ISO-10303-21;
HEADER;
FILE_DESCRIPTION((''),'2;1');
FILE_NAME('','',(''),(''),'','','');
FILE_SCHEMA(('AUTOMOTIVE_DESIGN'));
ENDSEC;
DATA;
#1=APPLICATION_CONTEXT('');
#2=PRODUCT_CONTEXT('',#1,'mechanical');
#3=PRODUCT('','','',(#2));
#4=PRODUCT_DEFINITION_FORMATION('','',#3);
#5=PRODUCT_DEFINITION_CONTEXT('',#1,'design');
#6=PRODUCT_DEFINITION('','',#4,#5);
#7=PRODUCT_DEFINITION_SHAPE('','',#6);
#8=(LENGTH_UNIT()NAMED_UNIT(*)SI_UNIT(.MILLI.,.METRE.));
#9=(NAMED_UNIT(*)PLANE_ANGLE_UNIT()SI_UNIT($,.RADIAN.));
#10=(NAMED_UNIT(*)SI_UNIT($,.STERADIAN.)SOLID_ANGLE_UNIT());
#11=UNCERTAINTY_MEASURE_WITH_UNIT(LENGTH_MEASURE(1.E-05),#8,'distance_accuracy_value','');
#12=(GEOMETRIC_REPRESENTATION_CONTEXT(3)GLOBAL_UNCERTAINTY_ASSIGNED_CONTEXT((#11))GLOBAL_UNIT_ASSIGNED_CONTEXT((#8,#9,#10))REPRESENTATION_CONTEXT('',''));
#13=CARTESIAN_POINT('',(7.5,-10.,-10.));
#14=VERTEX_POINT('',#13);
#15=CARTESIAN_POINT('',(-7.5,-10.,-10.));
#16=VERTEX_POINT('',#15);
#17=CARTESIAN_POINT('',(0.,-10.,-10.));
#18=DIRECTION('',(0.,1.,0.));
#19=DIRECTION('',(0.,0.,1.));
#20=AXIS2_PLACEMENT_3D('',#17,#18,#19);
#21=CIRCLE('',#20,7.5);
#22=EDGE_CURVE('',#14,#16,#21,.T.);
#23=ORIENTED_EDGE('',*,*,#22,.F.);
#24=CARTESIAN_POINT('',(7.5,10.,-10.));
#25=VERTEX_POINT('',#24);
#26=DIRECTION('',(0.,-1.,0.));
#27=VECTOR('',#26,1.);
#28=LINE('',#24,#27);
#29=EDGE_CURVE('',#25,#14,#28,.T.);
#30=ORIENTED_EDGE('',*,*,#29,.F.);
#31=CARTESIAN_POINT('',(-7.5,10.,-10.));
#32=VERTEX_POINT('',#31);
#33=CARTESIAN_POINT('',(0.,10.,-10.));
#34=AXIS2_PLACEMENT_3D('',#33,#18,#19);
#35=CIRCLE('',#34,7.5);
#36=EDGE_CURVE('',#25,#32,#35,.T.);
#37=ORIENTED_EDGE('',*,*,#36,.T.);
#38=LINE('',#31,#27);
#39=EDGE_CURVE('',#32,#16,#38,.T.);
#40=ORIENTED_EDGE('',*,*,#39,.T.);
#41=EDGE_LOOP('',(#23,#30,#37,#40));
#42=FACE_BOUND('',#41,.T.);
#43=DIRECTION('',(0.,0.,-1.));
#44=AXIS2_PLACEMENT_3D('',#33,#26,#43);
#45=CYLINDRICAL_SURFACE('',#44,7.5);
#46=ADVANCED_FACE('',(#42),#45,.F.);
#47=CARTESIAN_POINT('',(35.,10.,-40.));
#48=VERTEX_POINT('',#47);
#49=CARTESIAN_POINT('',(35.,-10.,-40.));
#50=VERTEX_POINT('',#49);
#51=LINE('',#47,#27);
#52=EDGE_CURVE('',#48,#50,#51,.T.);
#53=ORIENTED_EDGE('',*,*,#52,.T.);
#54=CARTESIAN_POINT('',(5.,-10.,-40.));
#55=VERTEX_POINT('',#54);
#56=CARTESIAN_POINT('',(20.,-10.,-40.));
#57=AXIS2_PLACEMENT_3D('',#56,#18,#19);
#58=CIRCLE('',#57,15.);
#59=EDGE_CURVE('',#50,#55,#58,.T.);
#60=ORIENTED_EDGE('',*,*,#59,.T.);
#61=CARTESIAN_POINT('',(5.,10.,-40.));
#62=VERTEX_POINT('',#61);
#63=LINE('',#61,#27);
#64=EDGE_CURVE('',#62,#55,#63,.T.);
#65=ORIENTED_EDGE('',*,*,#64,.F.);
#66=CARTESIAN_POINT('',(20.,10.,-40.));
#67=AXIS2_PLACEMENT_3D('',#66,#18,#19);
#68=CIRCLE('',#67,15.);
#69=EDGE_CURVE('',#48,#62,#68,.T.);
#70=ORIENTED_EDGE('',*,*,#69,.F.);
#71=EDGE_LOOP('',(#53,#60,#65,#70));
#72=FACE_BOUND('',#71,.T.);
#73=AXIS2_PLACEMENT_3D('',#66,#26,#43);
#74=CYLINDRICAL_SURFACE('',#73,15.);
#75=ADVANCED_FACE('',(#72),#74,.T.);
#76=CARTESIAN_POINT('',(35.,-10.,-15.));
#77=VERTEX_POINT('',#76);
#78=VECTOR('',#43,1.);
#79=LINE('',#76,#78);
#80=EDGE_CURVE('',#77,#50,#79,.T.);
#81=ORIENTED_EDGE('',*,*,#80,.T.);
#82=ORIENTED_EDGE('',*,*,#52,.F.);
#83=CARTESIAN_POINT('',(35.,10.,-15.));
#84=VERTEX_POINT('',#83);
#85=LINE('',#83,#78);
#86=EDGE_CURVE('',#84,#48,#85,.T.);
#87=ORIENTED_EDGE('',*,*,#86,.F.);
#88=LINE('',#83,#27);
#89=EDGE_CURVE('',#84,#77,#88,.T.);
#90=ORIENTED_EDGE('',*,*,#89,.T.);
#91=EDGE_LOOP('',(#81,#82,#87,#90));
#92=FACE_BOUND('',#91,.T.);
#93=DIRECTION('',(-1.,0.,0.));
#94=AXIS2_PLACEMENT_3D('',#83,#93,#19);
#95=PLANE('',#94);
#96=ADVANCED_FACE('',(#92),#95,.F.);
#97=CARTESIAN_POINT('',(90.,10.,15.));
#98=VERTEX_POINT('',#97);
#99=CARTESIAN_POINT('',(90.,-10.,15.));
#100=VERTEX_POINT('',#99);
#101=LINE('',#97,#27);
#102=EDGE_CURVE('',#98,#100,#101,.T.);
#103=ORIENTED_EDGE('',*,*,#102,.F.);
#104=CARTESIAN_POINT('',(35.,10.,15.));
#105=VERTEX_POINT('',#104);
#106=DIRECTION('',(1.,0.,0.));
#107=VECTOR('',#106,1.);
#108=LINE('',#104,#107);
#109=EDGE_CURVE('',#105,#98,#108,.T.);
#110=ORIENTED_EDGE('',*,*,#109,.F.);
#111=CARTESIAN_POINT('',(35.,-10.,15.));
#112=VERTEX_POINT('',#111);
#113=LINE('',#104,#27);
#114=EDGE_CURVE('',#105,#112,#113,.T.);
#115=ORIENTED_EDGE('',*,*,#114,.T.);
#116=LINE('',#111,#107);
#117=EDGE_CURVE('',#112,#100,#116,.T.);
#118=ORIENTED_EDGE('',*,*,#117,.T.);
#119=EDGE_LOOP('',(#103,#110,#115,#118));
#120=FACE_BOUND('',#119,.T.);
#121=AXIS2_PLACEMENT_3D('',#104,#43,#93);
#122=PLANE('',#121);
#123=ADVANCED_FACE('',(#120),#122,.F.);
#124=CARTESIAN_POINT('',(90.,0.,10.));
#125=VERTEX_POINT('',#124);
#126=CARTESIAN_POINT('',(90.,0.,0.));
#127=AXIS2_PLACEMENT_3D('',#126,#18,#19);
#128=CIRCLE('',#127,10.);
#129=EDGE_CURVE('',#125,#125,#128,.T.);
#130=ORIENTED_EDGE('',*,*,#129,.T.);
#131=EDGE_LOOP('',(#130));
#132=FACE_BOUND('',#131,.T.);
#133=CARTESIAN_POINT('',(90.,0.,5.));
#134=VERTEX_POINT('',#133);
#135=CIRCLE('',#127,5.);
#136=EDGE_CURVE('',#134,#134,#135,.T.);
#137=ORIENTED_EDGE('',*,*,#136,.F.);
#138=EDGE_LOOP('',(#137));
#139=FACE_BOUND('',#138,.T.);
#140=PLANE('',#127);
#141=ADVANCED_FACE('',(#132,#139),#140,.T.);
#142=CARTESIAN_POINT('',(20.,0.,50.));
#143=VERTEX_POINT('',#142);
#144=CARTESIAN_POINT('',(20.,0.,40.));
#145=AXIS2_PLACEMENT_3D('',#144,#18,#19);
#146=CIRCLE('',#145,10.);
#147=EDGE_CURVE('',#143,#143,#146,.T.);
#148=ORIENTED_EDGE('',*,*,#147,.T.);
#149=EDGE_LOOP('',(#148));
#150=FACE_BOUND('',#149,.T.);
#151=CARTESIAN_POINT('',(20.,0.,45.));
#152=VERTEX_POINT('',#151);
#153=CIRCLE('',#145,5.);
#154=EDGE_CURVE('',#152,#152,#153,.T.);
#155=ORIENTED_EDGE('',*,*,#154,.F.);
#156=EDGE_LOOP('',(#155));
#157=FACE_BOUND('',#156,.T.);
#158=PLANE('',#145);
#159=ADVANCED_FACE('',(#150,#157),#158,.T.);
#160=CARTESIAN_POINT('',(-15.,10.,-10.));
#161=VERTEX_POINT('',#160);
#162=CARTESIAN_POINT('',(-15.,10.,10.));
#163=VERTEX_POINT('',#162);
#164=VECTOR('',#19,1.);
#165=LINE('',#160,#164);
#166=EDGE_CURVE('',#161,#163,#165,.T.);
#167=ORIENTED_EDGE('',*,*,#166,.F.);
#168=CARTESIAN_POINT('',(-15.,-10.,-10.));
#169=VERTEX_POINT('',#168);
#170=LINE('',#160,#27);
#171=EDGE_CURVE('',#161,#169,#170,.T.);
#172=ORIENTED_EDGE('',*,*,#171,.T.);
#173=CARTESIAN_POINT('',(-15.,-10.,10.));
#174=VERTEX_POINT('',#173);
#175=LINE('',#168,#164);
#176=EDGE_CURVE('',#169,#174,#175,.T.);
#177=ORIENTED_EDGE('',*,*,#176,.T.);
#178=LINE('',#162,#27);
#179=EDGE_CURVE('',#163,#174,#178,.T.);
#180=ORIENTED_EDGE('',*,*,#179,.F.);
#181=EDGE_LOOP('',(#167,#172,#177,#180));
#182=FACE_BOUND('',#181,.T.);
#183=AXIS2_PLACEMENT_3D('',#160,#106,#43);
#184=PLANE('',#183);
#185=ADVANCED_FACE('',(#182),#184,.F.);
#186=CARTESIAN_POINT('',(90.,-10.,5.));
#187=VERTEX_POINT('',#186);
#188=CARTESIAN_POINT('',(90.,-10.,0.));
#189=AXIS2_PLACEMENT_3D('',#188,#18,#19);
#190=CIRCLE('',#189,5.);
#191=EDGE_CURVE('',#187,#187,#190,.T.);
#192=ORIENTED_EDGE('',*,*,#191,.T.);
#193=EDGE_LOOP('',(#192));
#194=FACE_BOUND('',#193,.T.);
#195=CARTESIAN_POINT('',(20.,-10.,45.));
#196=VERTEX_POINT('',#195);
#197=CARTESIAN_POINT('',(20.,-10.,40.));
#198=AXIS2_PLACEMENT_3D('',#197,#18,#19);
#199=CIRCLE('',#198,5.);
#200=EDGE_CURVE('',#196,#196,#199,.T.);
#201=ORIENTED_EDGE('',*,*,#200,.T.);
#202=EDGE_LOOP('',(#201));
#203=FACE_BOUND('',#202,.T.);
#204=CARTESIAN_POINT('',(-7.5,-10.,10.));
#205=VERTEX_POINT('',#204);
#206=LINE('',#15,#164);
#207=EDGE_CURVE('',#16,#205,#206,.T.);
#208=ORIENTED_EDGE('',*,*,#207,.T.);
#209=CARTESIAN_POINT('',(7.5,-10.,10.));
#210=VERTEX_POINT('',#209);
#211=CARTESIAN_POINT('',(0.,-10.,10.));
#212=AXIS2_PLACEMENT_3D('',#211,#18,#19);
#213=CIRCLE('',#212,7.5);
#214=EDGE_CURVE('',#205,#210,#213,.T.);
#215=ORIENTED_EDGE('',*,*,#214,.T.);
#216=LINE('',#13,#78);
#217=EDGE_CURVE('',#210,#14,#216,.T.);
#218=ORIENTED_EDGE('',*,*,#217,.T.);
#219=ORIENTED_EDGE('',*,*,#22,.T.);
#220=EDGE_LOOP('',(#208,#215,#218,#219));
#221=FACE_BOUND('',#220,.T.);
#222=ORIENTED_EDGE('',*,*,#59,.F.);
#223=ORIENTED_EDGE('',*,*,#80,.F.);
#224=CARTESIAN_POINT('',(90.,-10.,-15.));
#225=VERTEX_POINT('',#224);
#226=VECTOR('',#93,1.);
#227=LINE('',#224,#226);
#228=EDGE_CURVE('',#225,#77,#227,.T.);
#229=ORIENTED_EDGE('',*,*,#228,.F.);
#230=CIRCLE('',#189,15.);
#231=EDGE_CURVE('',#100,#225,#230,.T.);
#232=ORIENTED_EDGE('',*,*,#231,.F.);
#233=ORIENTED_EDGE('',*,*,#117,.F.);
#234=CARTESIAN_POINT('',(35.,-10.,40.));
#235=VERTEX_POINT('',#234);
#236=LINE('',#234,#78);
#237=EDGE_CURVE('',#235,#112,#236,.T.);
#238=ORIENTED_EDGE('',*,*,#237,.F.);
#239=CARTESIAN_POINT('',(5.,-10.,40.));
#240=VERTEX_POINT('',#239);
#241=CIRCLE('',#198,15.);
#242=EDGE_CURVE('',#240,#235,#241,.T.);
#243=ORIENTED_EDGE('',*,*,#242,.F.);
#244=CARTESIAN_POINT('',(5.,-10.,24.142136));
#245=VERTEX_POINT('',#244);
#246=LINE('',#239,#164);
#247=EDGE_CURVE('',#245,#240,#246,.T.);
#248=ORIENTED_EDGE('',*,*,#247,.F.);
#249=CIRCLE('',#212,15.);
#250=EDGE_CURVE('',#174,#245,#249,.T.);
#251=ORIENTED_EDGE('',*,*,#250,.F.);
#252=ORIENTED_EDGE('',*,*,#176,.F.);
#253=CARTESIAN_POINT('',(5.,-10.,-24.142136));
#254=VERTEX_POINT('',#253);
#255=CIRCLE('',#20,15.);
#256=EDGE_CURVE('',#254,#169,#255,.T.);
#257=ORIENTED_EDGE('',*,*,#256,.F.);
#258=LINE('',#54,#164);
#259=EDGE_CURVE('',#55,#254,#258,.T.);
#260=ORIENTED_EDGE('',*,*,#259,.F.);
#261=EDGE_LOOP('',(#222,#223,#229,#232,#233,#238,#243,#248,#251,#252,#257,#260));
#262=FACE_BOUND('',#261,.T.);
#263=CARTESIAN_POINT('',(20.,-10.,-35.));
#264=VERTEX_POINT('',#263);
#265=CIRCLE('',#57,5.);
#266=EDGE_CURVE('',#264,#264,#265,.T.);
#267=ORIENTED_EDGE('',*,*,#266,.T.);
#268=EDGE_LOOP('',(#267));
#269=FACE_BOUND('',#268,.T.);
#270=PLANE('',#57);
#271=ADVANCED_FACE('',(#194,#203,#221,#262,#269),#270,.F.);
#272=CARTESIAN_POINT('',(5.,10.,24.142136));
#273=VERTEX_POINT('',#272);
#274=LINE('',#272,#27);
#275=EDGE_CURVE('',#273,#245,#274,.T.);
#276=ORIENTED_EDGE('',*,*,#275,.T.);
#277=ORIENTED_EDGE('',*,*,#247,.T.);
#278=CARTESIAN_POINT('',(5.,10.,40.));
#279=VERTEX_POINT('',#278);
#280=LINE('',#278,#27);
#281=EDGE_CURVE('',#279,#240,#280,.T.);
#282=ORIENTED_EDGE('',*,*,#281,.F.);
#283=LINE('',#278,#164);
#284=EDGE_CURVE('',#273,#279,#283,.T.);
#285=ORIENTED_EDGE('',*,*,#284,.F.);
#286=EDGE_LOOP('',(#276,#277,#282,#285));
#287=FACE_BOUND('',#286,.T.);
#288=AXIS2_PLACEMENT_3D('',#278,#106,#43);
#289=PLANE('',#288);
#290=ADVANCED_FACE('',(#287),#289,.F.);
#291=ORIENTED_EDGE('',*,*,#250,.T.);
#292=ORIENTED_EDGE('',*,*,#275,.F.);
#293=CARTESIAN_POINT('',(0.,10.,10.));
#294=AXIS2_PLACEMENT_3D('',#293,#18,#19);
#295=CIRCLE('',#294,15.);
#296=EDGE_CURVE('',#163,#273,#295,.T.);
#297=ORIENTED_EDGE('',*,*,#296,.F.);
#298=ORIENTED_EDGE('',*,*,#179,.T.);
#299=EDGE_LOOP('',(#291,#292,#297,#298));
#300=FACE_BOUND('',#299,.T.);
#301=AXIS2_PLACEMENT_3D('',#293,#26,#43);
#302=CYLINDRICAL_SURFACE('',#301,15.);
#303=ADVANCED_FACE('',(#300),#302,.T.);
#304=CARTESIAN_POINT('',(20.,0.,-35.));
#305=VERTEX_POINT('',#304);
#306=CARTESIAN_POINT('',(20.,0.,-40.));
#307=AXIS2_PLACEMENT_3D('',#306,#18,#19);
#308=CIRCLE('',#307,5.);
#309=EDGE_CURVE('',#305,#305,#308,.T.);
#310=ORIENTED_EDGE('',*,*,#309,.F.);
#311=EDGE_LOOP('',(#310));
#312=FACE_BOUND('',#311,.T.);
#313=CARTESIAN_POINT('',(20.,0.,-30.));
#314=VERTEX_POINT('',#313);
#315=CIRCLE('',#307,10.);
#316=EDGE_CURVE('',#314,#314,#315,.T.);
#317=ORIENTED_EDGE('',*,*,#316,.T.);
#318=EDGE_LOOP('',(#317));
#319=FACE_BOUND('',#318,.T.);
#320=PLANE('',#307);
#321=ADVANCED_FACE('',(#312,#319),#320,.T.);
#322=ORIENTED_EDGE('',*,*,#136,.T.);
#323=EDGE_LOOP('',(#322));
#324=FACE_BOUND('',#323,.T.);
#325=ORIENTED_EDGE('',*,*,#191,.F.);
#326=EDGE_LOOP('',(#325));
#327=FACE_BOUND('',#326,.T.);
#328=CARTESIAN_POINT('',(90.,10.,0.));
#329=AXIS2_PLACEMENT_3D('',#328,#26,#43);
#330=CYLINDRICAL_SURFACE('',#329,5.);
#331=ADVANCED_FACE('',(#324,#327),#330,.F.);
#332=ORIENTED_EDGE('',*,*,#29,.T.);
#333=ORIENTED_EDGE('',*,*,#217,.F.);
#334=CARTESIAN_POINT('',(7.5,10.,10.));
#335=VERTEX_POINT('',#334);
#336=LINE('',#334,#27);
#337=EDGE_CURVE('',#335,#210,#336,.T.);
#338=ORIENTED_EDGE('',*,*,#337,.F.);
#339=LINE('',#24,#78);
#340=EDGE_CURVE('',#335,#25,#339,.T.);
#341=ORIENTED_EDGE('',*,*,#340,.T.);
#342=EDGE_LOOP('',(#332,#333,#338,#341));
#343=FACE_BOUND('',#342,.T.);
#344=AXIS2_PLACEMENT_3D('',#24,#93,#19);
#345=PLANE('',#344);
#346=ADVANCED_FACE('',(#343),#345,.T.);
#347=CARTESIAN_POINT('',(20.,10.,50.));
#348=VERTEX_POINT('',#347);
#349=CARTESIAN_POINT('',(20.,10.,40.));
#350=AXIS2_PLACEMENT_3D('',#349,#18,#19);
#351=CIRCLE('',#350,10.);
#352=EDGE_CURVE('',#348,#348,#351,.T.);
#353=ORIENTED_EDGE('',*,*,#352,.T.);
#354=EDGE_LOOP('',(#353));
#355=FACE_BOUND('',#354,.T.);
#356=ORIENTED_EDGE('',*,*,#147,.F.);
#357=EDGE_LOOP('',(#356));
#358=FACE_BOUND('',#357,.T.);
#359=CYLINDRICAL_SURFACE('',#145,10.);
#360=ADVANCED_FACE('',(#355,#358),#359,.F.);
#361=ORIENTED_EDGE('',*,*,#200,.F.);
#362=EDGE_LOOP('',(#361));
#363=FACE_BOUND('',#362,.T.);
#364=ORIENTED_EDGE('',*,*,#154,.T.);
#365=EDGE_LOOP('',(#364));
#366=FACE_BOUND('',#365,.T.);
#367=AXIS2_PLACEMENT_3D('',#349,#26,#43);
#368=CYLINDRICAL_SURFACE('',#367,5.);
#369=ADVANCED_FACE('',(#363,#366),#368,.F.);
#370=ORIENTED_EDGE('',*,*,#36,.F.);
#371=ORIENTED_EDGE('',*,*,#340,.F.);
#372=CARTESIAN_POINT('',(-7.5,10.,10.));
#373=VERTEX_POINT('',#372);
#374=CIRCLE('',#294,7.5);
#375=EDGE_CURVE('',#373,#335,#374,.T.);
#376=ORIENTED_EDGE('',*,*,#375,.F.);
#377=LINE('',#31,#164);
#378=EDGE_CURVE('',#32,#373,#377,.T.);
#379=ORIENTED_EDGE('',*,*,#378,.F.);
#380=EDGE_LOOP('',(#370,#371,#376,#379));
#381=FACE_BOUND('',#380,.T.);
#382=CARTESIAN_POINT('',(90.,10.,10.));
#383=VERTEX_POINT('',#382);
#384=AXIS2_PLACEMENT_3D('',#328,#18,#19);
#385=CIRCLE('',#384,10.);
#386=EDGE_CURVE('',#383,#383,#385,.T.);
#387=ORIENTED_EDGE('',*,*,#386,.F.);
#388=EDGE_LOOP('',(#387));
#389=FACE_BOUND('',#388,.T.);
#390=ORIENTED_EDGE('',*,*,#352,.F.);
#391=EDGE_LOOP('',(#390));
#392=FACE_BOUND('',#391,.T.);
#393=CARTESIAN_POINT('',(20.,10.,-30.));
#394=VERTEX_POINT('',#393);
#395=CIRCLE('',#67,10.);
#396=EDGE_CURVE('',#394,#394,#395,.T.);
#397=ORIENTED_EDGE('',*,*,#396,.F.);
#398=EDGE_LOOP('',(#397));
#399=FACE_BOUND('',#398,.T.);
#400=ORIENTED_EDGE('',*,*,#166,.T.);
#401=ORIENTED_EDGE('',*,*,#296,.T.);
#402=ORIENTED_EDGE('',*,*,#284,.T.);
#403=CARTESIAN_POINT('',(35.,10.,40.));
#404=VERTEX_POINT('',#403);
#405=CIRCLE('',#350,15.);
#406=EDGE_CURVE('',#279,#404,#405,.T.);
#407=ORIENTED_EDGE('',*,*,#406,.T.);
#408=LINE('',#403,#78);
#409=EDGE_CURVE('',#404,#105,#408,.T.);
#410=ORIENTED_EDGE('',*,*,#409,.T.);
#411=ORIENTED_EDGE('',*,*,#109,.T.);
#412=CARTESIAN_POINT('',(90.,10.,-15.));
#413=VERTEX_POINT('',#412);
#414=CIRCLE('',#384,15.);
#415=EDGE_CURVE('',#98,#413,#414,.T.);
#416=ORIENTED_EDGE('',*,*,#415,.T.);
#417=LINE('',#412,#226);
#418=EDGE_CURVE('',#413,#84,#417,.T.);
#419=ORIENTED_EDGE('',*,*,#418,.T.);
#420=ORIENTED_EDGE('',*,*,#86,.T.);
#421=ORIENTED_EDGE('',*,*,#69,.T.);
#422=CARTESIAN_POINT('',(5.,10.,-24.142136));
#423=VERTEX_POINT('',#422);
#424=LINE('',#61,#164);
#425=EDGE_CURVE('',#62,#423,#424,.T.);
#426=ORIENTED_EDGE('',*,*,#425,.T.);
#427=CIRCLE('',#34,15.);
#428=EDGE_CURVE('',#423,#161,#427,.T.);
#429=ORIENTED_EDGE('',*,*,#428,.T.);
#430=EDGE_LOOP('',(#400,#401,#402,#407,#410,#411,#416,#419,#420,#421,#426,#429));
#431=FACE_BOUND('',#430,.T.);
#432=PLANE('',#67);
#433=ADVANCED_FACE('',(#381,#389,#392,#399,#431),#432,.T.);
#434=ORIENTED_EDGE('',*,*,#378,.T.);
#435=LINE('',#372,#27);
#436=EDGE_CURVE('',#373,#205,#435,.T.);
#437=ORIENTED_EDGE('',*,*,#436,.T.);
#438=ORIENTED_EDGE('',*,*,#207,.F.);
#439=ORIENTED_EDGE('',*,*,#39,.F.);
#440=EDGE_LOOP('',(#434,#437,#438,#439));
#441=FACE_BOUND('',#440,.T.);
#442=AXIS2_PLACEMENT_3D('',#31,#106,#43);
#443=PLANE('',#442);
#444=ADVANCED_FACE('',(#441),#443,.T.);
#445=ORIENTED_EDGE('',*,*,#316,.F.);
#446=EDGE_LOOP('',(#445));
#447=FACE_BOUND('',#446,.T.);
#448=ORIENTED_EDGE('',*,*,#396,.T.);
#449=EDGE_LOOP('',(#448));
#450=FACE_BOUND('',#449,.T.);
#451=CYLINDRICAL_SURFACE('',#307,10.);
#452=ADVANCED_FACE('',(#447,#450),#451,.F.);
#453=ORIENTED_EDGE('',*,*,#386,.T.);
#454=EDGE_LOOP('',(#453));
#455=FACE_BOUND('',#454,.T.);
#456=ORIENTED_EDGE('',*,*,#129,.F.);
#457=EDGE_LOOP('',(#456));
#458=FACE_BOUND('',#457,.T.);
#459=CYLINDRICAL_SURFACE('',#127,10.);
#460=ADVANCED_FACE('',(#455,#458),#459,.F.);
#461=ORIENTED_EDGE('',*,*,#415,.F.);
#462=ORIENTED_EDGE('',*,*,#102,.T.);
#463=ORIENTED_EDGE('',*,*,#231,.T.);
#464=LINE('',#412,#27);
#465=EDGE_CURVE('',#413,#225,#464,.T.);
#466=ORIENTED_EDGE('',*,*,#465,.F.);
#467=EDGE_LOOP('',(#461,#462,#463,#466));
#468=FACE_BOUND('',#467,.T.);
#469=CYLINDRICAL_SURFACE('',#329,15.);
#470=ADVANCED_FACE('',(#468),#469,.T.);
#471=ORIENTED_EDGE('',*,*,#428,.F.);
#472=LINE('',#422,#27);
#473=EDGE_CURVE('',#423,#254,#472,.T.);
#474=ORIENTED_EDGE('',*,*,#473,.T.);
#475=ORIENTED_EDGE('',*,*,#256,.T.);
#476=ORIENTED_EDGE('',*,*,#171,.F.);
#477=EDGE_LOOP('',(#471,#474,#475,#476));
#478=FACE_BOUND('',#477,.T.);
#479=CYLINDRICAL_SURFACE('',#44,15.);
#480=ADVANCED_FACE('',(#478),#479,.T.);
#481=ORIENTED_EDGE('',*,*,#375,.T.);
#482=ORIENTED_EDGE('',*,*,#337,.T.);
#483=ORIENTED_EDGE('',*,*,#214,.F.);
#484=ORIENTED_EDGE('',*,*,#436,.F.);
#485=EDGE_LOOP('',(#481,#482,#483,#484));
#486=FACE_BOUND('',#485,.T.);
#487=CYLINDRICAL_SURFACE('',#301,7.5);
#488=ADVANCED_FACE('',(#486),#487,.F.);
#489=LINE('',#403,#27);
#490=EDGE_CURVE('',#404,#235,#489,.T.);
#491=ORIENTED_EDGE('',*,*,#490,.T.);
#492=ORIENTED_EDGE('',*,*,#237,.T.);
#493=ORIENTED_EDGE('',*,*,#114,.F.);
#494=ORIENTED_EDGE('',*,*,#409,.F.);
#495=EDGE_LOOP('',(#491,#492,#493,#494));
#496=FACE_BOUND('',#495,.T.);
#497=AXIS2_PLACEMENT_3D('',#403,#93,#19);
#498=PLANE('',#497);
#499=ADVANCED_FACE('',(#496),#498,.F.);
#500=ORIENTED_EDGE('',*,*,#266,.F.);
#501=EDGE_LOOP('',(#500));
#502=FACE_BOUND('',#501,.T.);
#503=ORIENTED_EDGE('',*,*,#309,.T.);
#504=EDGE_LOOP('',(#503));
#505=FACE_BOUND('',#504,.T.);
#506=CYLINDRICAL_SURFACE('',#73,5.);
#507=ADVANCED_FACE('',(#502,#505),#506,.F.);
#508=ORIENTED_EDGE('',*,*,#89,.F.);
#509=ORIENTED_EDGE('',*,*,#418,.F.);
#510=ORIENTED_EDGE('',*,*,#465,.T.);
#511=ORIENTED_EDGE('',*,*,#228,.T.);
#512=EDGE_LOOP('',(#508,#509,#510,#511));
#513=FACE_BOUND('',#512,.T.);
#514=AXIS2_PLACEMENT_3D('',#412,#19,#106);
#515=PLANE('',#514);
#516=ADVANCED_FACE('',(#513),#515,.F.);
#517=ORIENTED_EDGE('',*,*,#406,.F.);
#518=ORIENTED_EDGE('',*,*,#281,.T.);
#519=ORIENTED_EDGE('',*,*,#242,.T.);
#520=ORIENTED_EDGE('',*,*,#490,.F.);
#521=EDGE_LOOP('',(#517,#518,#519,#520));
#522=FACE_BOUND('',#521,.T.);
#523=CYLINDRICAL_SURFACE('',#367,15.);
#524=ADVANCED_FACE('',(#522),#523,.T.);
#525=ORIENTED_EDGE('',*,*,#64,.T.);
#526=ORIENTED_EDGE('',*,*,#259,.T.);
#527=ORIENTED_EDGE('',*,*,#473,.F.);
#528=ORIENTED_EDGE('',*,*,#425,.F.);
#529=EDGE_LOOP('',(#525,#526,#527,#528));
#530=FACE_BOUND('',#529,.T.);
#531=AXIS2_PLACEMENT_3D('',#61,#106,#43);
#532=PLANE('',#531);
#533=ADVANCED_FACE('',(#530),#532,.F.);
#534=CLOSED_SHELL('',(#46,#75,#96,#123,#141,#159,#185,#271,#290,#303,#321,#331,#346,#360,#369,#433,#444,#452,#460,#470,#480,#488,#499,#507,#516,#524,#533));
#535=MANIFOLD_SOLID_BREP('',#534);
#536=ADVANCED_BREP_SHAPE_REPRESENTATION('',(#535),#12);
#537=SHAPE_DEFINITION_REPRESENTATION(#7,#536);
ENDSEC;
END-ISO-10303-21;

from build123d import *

# Parameters (mm, degrees)
SKETCH1_R           = 5
BOSS_EXTRUDE1_DEPTH = 10
SKETCH2_R           = 10
CUT_EXTRUDE1_DEPTH  = 10


with BuildPart() as part:
    # Sketch1 → Boss-Extrude1 (new, symmetric)
    with BuildSketch(Plane(origin=(0, 0, 0), x_dir=(1, 0, 0), z_dir=(0, 1, 0))):
        with BuildLine():
            Line((35, -40), (35, -15))
            Line((35, -15), (90, -15))
            ThreePointArc((90, -15), (105, 0), (90, 15))
            Line((90, 15), (35, 15))
            Line((35, 15), (35, 40))
            ThreePointArc((35, 40), (20, 55), (5, 40))
            Line((5, 40), (5, 24.142135624))
            ThreePointArc((5, 24.142135624), (-8.660254038, 22.247448714), (-15, 10))
            Line((-15, 10), (-15, -10))
            ThreePointArc((-15, -10), (-8.660254038, -22.247448714), (5, -24.142135624))
            Line((5, -24.142135624), (5, -40))
            ThreePointArc((5, -40), (20, -55), (35, -40))
        make_face()
        with Locations(Location((20, -40, 0), (0, 0, 270))):
            Circle(SKETCH1_R, mode=Mode.SUBTRACT)
        with Locations(Location((20, 40, 0), (0, 0, 270))):
            Circle(SKETCH1_R, mode=Mode.SUBTRACT)
        with Locations(Location((90, 0, 0), (0, 0, 270))):
            Circle(SKETCH1_R, mode=Mode.SUBTRACT)
        with BuildLine():
            Line((7.5, 10), (7.5, -10))
            ThreePointArc((7.5, -10), (0, -17.5), (-7.5, -10))
            Line((-7.5, -10), (-7.5, 10))
            ThreePointArc((-7.5, 10), (0, 17.5), (7.5, 10))
        make_face(mode=Mode.SUBTRACT)
    extrude(amount=BOSS_EXTRUDE1_DEPTH, both=True)

    # Sketch2 → Cut-Extrude1 (cut)
    with BuildSketch(Plane(origin=(0, 10, 0), x_dir=(1, 0, 0), z_dir=(0, 1, 0))):
        with Locations(Location((20, -40, 0), (0, 0, 270))):
            Circle(SKETCH2_R)
        with Locations(Location((20, 40, 0), (0, 0, 270))):
            Circle(SKETCH2_R)
        with Locations(Location((90, 0, 0), (0, 0, 270))):
            Circle(SKETCH2_R)
    extrude(amount=-CUT_EXTRUDE1_DEPTH, mode=Mode.SUBTRACT)


solid = part.part
